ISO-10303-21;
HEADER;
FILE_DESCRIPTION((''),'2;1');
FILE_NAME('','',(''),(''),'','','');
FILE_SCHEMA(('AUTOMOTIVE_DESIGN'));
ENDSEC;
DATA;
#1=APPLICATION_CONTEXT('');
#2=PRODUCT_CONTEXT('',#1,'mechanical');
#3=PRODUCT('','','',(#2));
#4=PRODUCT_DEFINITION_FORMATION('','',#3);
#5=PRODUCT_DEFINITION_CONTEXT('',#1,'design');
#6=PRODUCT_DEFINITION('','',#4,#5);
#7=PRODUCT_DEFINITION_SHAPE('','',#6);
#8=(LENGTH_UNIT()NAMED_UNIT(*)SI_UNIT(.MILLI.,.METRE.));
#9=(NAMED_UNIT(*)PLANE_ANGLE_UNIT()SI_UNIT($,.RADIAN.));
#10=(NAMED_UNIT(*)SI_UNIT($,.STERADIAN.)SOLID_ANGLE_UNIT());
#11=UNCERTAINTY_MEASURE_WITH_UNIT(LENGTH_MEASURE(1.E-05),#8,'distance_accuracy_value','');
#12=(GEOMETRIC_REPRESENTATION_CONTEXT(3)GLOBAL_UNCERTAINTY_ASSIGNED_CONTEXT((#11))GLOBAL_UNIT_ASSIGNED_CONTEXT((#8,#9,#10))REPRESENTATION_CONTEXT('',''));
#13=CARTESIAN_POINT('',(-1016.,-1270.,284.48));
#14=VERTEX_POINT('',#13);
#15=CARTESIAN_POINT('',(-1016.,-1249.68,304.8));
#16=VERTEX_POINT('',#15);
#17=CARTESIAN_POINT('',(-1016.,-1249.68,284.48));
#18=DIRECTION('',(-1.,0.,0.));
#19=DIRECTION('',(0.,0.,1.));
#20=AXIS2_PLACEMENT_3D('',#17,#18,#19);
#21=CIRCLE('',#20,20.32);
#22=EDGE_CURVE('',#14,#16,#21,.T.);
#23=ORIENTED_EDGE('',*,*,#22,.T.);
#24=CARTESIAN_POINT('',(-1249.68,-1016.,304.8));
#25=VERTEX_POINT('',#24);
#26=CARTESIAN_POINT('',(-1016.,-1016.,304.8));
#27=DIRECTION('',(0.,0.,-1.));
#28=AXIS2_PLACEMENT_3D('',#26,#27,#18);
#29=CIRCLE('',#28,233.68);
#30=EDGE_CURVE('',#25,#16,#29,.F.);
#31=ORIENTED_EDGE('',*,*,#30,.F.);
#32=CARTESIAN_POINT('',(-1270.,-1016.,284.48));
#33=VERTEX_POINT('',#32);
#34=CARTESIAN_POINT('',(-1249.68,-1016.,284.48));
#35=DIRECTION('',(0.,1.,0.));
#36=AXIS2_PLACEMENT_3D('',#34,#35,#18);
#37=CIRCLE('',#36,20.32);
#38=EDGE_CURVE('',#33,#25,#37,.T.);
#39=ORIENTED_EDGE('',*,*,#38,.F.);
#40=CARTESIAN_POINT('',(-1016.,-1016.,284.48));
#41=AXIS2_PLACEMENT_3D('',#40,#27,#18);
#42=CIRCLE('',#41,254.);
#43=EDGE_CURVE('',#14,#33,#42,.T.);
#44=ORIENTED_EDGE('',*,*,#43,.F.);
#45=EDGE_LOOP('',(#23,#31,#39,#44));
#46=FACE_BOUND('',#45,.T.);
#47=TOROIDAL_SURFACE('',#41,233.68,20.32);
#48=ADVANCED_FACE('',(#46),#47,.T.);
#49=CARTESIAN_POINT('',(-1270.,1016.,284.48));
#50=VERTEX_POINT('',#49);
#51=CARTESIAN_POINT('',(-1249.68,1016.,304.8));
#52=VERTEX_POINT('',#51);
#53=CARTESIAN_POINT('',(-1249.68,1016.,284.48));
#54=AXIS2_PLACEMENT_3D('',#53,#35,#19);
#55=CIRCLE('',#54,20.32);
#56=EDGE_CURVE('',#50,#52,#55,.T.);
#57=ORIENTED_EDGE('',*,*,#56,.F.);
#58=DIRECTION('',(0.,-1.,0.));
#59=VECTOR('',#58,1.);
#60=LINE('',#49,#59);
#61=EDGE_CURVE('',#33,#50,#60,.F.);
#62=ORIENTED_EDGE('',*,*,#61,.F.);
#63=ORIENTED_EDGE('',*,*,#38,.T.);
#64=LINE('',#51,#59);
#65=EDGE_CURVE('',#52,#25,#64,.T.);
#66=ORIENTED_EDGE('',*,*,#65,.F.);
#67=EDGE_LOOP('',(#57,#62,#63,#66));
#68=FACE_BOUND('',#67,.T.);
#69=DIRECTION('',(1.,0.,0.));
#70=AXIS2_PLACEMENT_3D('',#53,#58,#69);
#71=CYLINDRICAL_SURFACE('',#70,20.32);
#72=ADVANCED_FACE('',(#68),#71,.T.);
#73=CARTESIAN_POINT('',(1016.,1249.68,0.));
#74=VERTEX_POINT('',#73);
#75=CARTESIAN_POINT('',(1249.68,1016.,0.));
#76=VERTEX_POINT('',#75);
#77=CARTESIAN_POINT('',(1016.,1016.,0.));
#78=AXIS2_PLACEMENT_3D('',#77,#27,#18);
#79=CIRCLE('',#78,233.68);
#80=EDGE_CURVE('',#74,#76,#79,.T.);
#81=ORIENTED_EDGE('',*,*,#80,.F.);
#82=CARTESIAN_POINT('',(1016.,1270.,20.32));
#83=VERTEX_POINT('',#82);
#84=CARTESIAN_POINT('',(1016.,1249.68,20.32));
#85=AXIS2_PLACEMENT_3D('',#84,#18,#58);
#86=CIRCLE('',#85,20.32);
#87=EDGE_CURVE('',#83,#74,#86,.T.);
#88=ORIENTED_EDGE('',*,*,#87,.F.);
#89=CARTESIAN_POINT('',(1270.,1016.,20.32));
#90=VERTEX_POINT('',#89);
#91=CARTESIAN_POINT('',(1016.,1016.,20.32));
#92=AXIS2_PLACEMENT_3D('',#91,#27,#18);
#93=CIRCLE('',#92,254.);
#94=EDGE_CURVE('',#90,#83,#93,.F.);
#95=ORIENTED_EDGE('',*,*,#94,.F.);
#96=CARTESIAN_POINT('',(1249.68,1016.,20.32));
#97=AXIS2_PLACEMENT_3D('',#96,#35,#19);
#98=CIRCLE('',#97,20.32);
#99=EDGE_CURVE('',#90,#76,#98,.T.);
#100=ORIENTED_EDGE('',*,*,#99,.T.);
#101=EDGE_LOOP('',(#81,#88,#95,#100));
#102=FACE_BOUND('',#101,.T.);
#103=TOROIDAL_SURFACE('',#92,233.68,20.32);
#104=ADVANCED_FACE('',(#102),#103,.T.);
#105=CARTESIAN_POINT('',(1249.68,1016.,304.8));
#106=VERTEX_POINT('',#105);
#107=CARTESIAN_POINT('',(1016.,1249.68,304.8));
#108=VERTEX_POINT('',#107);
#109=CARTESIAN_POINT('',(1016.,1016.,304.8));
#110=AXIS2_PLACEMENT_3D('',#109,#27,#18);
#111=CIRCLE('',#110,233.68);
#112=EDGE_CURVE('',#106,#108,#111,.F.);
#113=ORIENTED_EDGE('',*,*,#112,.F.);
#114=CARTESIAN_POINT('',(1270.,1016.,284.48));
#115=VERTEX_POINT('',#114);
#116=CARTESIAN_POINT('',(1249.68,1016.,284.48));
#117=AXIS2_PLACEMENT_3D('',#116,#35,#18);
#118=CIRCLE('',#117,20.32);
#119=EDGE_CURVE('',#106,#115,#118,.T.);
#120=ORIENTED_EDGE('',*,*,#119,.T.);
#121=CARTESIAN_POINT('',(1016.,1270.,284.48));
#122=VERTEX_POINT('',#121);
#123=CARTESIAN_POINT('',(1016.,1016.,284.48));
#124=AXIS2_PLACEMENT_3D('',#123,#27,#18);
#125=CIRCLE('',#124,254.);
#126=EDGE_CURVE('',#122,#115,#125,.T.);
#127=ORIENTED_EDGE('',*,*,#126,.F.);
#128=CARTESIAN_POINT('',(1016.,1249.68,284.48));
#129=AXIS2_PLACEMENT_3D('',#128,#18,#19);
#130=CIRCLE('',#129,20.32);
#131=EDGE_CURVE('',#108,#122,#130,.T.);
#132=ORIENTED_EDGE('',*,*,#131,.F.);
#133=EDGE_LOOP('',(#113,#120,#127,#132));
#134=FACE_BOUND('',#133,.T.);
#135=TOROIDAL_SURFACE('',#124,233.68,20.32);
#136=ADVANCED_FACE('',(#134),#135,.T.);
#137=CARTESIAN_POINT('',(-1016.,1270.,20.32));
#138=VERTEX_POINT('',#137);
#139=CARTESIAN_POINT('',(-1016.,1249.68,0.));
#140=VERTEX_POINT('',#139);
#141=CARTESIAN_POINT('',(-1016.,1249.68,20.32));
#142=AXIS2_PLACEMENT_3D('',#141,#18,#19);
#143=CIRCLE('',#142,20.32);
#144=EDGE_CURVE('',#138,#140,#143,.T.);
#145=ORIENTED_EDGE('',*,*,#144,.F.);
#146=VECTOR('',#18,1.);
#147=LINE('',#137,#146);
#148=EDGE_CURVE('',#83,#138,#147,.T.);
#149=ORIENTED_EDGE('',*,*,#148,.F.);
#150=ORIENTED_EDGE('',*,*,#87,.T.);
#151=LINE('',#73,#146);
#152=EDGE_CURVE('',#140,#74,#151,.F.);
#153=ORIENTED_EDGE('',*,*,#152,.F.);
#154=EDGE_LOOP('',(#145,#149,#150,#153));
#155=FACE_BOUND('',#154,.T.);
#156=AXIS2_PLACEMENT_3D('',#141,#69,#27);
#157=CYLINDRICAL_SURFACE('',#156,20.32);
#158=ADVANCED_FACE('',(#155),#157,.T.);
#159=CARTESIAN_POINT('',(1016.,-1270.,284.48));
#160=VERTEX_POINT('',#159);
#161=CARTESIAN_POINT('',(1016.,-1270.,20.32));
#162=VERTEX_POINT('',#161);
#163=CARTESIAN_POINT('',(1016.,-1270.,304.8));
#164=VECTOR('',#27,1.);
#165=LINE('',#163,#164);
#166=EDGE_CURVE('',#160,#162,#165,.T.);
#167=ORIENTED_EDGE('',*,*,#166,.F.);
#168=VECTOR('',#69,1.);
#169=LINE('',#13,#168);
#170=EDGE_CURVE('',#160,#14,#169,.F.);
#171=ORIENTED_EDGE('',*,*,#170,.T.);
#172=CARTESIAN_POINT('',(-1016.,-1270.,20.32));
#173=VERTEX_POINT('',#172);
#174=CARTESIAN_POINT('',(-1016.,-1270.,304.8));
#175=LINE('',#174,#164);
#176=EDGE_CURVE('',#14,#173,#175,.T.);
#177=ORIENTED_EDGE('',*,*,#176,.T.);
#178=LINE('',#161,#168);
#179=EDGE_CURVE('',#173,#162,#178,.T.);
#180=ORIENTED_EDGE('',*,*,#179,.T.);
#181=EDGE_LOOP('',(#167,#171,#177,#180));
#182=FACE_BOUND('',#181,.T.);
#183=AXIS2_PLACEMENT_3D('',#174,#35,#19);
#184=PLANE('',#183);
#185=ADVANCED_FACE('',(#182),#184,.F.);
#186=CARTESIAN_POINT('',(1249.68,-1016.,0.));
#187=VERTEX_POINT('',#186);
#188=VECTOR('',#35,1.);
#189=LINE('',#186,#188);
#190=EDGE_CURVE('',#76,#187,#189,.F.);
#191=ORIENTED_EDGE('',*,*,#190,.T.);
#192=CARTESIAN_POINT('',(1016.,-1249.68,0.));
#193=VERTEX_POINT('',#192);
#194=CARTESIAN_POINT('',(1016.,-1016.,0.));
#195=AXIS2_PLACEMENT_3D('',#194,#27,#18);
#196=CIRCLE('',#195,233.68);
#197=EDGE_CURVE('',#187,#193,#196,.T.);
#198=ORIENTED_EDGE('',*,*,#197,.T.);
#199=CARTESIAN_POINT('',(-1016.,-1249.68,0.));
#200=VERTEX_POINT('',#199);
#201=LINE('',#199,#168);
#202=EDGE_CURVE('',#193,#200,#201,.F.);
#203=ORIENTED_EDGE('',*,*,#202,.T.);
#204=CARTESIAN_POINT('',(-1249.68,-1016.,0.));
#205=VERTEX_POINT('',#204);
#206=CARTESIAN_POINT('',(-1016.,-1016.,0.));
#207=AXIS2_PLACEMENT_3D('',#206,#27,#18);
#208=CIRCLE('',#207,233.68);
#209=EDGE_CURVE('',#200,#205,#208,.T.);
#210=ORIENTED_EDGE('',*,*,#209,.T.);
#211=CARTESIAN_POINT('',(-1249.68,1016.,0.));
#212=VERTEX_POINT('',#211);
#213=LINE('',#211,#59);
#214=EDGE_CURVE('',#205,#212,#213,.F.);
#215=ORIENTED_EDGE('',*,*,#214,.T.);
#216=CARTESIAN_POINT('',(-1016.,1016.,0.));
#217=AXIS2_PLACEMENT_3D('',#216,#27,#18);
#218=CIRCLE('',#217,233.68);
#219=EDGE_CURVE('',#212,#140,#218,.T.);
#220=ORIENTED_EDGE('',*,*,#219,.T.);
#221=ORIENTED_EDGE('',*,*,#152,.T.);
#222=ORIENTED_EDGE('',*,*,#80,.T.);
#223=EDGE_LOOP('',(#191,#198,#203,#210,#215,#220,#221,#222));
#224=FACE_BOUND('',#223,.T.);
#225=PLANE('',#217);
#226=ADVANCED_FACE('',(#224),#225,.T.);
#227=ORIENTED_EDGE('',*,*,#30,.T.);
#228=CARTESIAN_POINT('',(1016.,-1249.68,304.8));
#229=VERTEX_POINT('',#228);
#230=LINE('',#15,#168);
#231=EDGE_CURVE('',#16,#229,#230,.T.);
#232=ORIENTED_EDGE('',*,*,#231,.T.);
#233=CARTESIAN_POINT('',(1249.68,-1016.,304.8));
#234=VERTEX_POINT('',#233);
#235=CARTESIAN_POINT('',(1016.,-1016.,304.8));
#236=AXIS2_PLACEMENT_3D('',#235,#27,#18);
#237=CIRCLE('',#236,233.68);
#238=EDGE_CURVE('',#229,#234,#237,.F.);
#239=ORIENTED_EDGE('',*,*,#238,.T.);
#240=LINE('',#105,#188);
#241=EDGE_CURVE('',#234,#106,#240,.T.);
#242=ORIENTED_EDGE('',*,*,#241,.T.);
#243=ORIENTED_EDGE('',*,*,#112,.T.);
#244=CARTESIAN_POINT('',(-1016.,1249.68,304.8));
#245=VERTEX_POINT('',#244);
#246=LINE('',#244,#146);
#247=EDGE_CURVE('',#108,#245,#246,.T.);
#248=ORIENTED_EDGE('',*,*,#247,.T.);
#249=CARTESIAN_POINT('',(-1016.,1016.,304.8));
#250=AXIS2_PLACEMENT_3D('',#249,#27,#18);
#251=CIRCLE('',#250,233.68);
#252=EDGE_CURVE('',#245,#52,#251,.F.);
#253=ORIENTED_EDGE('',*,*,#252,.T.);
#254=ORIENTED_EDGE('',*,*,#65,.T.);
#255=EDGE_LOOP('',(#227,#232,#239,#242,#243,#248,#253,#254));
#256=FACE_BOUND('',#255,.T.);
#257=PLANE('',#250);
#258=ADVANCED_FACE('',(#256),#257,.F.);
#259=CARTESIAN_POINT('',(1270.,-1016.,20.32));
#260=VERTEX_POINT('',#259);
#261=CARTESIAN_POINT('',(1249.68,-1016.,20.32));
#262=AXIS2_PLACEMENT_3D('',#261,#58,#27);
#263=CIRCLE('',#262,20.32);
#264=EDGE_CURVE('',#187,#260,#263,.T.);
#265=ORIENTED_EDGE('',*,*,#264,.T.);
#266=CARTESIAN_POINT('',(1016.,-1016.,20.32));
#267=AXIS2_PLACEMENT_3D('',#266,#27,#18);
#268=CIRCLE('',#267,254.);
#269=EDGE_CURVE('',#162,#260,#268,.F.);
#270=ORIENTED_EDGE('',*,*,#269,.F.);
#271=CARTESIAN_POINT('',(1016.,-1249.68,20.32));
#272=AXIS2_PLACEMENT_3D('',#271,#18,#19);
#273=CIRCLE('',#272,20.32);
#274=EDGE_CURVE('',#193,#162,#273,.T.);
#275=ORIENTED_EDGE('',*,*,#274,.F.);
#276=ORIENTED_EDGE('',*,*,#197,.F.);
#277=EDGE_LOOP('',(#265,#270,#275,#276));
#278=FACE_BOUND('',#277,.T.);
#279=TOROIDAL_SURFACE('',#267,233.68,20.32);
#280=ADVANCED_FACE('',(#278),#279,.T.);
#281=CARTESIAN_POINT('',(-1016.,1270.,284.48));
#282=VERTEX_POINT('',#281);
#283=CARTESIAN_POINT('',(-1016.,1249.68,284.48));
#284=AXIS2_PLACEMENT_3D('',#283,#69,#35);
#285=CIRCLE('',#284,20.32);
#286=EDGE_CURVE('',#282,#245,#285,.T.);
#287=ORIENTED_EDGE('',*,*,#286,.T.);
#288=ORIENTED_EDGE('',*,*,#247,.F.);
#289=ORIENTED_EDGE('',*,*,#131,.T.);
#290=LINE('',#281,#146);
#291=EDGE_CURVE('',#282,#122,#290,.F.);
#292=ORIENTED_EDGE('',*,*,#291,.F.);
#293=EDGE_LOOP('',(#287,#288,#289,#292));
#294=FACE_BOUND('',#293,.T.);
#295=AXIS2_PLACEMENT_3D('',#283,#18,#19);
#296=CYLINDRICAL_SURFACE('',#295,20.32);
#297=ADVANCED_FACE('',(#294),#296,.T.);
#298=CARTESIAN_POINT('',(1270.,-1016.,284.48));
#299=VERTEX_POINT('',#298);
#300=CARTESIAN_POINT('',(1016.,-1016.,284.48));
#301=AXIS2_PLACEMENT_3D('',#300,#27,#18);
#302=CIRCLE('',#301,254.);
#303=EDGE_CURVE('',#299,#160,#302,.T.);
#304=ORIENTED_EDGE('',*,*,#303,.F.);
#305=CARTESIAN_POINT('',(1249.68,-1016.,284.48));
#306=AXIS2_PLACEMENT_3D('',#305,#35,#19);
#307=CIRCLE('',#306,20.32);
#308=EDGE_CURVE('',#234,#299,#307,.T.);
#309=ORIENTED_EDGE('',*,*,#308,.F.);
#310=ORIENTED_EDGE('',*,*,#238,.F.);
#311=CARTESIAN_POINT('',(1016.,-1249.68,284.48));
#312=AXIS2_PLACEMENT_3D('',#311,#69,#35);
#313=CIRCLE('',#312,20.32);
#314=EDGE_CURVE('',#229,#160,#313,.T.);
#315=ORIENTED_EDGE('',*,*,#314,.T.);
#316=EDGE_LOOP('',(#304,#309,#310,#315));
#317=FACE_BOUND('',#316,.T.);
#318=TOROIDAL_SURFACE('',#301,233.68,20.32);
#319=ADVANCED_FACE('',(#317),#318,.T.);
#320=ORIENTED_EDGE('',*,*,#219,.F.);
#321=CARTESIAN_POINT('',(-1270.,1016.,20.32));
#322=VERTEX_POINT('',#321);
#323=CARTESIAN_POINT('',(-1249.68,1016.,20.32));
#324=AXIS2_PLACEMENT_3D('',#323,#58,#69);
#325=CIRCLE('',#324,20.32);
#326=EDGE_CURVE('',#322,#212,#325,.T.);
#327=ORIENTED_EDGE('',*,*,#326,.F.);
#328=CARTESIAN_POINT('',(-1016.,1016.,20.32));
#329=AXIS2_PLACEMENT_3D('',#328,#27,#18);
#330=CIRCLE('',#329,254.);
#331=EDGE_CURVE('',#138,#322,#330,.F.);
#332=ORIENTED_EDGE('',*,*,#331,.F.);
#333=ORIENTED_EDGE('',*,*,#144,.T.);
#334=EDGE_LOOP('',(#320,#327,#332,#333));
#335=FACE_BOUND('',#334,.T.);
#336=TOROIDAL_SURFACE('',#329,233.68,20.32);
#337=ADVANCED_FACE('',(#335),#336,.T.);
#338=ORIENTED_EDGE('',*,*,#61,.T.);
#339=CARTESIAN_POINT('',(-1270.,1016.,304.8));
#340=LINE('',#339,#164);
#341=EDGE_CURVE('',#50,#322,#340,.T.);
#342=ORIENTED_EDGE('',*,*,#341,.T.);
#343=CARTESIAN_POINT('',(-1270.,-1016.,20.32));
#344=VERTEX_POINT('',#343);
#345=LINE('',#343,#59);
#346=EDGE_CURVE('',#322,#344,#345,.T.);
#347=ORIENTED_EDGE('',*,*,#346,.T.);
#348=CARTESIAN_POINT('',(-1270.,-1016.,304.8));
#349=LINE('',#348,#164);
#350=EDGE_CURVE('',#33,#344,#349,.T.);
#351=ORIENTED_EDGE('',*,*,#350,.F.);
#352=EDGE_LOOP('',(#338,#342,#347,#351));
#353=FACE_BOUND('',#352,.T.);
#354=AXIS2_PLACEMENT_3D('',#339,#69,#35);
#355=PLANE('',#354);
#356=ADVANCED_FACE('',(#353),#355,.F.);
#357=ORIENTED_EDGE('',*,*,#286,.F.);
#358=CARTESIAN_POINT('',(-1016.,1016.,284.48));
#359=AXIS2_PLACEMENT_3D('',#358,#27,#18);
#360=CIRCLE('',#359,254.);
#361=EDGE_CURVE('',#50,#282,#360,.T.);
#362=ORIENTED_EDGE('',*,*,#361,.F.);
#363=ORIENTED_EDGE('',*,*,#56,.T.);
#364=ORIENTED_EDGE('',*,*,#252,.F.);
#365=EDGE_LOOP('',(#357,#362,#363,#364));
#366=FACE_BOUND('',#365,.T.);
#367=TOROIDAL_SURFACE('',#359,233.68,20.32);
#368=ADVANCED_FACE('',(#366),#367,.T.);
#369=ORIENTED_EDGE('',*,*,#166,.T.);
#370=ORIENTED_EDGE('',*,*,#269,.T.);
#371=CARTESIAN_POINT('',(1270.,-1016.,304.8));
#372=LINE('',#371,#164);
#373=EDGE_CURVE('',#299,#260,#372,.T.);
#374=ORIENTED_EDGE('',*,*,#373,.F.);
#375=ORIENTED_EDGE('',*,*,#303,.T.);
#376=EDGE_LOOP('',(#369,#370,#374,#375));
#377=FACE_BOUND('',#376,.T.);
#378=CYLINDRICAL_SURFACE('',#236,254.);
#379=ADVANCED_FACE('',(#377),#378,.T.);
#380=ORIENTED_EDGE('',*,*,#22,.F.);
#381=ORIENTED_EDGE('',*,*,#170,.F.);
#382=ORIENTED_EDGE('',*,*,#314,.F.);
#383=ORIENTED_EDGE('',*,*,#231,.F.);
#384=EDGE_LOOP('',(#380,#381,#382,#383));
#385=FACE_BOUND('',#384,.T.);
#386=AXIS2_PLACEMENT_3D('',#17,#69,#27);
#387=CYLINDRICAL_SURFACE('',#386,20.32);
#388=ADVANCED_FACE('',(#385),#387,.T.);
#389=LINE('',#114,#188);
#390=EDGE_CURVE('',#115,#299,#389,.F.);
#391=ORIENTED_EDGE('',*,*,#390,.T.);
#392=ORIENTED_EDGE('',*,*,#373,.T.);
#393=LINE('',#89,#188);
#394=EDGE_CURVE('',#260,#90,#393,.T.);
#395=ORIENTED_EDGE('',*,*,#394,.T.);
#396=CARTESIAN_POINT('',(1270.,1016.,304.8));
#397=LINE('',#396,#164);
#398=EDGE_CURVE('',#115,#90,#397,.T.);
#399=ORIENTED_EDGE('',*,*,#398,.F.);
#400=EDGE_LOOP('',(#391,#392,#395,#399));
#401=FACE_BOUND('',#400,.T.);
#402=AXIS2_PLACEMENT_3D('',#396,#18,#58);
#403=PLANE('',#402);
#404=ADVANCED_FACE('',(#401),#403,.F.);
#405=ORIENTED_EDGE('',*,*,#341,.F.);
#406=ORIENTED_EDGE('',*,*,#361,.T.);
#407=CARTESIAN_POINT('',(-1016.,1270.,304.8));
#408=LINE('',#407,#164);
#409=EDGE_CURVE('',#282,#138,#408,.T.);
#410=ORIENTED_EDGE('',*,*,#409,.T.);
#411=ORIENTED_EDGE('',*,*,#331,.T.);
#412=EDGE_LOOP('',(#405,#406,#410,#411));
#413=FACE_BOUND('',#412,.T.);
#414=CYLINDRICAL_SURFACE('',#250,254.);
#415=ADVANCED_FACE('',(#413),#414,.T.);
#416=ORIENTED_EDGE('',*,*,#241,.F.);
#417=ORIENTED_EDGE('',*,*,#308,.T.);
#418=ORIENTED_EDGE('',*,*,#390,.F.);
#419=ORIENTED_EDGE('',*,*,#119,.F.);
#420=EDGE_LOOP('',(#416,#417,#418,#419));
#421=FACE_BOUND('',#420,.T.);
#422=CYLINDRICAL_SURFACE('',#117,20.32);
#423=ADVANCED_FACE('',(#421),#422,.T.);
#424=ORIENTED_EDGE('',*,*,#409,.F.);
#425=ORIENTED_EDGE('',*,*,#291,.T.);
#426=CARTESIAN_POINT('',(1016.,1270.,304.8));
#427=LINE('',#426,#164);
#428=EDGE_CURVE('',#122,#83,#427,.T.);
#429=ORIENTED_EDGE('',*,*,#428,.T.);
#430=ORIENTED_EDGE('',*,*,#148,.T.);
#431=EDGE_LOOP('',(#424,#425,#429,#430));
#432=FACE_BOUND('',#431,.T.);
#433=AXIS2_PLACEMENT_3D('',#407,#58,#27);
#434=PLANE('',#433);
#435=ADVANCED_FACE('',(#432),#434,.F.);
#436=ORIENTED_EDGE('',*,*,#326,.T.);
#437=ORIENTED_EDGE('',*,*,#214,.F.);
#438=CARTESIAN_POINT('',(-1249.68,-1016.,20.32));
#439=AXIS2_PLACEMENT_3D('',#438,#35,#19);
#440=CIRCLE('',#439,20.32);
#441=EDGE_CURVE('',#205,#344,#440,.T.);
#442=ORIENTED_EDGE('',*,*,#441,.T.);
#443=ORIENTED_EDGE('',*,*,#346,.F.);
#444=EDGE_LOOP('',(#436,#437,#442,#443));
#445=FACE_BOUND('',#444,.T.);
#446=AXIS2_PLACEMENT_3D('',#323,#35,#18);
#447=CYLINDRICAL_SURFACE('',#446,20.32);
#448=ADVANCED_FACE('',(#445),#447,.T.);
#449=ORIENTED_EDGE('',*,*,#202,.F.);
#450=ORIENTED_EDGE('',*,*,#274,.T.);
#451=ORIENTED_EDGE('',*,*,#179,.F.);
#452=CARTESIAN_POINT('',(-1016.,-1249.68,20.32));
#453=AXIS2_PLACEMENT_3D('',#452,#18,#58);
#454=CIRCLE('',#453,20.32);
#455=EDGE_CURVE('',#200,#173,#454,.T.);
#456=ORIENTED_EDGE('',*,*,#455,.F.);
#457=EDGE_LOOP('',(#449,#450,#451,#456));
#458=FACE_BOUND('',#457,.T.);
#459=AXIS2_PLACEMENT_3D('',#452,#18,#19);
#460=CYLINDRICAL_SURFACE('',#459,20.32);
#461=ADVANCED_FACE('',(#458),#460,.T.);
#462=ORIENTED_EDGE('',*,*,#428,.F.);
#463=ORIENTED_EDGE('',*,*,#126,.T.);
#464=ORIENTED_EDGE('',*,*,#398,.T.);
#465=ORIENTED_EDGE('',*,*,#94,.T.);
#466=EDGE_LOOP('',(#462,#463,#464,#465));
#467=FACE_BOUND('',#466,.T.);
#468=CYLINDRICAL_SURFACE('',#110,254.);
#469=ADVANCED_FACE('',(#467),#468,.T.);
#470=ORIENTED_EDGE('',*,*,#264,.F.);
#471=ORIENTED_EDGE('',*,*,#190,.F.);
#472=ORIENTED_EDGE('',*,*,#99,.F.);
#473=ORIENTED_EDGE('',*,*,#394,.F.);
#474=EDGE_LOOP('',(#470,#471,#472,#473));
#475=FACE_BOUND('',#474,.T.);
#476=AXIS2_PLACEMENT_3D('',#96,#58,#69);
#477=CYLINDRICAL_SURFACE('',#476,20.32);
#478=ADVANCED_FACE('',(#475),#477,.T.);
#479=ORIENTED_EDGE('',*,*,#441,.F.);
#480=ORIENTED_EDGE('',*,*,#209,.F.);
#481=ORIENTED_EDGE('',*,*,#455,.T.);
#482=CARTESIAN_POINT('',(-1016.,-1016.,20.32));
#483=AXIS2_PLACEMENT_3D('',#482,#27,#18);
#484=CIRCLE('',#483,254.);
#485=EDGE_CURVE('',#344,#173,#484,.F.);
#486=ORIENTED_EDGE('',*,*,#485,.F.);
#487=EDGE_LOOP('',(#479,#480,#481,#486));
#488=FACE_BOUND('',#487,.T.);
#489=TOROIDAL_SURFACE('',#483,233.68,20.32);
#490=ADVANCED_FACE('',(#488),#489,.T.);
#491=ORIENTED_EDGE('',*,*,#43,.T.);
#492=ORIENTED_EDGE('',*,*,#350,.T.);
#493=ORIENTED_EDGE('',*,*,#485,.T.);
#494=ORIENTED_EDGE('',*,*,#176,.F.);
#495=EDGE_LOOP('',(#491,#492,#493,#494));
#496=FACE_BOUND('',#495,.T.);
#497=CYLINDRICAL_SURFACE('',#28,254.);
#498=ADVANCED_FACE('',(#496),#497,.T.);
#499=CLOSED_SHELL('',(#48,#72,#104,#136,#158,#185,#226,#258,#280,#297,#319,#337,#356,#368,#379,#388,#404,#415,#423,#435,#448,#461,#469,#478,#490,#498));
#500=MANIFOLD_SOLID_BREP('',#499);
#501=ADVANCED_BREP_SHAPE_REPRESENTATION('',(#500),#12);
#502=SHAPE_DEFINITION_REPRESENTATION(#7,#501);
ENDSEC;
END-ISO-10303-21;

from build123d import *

# Parameters (mm, degrees)
BOSS_EXTRUDE1_DEPTH = 304.8
FILLET2_R           = 20.32
FILLET3_R           = 20.32


with BuildPart() as part:
    # Sketch1 → Boss-Extrude1 (new body)
    with BuildSketch(Plane.XY):
        with BuildLine():
            Line((-1016, 1270), (1016, 1270))
            ThreePointArc((1016, 1270), (1195.605122421, 1195.605122421), (1270, 1016))
            Line((1270, 1016), (1270, -1016))
            ThreePointArc((1270, -1016), (1195.605122421, -1195.605122421), (1016, -1270))
            Line((1016, -1270), (-1016, -1270))
            ThreePointArc((-1016, -1270), (-1195.605122421, -1195.605122421), (-1270, -1016))
            Line((-1270, -1016), (-1270, 1016))
            ThreePointArc((-1270, 1016), (-1195.605122421, 1195.605122421), (-1016, 1270))
        make_face()
    extrude(amount=BOSS_EXTRUDE1_DEPTH)

    # Fillet2
    fillet2_edges = [part.edges().sort_by_distance(p)[0] for p in [
        (-1195.605122421, -1195.605122421, 304.8),
        (0, -1270, 304.8),
        (1195.605122421, -1195.605122421, 304.8),
        (1270, 0, 304.8),
        (1195.605122421, 1195.605122421, 304.8),
        (0, 1270, 304.8),
        (-1195.605122421, 1195.605122421, 304.8),
        (-1270, 0, 304.8),
    ]]
    fillet(fillet2_edges, radius=FILLET2_R)

    # Fillet3
    fillet3_edges = [part.edges().sort_by_distance(p)[0] for p in [
        (0, -1270, 0),
        (-1195.605122421, -1195.605122421, 0),
        (-1270, 0, 0),
        (-1195.605122421, 1195.605122421, 0),
        (0, 1270, 0),
        (1195.605122421, 1195.605122421, 0),
        (1270, 0, 0),
        (1195.605122421, -1195.605122421, 0),
    ]]
    fillet(fillet3_edges, radius=FILLET3_R)


solid = part.part
